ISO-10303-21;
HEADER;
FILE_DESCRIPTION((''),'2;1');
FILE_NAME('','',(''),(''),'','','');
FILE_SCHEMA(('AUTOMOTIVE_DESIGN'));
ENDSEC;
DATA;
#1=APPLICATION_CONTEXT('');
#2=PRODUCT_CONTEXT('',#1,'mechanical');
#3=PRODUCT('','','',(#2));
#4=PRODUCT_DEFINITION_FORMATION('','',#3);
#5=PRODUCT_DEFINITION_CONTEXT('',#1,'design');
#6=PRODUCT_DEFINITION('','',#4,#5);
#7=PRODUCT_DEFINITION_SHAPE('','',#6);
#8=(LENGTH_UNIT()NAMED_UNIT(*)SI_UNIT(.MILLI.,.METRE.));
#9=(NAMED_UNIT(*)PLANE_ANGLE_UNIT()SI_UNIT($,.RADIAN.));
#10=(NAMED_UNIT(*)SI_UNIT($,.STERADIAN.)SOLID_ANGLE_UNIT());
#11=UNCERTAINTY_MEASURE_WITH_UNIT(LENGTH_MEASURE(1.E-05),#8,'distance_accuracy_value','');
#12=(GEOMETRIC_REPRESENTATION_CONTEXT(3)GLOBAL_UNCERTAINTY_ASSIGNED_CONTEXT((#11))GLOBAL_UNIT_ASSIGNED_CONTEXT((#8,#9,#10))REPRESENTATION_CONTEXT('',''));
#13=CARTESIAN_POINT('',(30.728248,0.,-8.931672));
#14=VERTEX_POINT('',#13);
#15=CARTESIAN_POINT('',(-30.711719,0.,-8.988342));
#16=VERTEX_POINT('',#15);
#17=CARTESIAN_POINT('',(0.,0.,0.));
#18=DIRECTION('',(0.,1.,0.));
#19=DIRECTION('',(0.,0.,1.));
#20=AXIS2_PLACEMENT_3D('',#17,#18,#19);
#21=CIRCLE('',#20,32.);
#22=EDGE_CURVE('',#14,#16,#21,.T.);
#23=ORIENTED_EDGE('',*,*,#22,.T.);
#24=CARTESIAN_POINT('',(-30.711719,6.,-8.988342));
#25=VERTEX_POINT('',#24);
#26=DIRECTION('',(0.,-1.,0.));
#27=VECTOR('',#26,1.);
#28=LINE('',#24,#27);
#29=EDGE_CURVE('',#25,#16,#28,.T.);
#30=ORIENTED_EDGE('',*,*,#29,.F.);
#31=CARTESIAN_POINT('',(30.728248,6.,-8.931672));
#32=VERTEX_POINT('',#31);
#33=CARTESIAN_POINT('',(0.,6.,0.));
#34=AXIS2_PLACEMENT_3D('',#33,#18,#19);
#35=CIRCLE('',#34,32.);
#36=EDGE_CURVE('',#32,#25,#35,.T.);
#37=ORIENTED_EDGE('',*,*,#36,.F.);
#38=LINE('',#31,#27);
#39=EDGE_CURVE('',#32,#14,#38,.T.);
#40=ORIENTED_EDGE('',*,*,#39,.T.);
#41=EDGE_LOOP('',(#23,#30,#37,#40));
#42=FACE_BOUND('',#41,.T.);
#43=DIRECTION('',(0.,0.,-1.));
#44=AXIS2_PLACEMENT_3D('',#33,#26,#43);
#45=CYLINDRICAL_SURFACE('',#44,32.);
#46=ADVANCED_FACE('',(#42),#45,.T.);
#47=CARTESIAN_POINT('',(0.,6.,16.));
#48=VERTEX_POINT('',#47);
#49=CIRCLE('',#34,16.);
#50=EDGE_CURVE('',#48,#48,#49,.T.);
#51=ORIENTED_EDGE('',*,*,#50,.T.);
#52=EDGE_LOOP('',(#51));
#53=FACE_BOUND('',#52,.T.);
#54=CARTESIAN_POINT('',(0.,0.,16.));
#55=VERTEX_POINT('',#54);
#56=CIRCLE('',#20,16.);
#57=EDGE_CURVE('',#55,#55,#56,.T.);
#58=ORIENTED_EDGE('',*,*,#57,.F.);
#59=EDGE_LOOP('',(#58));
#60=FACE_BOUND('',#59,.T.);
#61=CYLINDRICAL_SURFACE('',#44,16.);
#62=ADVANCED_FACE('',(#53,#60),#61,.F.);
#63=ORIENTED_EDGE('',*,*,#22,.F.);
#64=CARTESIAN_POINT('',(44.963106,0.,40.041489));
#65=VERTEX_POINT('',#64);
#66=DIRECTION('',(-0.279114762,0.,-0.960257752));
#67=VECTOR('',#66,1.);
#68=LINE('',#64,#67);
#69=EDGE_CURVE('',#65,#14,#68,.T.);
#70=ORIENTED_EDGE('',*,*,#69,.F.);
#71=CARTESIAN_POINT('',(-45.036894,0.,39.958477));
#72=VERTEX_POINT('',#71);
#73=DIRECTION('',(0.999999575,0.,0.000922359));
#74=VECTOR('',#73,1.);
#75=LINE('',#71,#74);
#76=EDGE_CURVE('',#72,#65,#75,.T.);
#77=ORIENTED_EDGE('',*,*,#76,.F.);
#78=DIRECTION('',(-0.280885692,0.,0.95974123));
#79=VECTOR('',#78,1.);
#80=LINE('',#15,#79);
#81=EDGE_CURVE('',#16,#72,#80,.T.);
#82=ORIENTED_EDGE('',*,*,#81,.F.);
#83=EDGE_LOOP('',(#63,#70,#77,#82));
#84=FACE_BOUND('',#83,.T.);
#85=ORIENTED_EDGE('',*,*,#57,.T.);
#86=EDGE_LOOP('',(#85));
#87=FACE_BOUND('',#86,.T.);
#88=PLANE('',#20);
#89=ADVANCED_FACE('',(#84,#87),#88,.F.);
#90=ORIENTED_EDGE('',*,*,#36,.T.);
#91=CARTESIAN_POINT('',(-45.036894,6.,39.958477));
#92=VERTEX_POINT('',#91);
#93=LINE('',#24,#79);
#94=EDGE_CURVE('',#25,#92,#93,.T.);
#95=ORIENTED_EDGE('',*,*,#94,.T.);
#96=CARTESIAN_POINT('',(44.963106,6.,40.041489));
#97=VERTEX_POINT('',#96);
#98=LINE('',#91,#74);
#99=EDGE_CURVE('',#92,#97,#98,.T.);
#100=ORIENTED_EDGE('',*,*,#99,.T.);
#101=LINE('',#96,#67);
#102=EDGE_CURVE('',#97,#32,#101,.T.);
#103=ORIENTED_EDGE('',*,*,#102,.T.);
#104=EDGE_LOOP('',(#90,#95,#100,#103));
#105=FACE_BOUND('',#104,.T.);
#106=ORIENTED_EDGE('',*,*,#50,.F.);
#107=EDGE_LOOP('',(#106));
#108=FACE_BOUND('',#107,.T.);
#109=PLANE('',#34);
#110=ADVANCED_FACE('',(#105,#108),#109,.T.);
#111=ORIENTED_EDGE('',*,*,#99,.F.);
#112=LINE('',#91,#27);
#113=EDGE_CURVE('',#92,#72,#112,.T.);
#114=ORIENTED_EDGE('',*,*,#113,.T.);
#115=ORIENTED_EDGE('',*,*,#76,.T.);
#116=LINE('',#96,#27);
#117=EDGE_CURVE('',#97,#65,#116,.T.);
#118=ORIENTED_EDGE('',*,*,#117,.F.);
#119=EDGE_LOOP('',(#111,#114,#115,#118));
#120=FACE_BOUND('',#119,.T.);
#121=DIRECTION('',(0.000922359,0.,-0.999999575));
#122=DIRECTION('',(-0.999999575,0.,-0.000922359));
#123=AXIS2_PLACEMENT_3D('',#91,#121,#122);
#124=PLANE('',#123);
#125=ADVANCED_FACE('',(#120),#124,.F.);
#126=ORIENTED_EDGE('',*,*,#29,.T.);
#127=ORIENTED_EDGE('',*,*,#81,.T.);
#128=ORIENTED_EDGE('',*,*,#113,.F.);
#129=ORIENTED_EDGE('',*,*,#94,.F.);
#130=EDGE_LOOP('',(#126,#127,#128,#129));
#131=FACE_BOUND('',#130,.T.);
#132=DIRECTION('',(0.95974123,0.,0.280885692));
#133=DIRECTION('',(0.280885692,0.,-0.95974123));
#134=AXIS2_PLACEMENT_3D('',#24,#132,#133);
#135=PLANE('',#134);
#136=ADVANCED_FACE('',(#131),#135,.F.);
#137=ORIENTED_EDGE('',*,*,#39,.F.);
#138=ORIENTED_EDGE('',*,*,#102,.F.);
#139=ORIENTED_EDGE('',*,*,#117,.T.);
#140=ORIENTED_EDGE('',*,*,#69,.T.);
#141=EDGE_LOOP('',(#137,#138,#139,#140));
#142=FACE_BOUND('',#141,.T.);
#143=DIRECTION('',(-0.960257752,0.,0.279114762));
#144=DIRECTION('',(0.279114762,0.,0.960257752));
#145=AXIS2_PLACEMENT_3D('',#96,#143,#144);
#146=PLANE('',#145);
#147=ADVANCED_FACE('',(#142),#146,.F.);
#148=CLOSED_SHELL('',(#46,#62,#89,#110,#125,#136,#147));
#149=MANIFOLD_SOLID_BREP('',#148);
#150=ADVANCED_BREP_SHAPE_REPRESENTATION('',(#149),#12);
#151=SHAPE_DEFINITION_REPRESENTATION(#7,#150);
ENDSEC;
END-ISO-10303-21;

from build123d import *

# Parameters (mm, degrees)
SKETCH1_R           = 16
BOSS_EXTRUDE1_DEPTH = 6


with BuildPart() as part:
    # Sketch1 → Boss-Extrude1 (new body)
    with BuildSketch(Plane(origin=(0, 0, 0), x_dir=(1, 0, 0), z_dir=(0, 1, 0))):
        with BuildLine():
            Line((-30.711719355, 8.988342131), (-45.036894371, -39.9584768))
            Line((-45.036894371, -39.9584768), (44.963105629, -40.04148917))
            Line((44.963105629, -40.04148917), (30.728248053, 8.931672384))
            ThreePointArc((30.728248053, 8.931672384), (0.029515497, 31.999986388), (-30.711719355, 8.988342131))
        make_face()
        with Locations(Location((0, 0, 0), (0, 0, 270))):
            Circle(SKETCH1_R, mode=Mode.SUBTRACT)
    extrude(amount=BOSS_EXTRUDE1_DEPTH)


solid = part.part
